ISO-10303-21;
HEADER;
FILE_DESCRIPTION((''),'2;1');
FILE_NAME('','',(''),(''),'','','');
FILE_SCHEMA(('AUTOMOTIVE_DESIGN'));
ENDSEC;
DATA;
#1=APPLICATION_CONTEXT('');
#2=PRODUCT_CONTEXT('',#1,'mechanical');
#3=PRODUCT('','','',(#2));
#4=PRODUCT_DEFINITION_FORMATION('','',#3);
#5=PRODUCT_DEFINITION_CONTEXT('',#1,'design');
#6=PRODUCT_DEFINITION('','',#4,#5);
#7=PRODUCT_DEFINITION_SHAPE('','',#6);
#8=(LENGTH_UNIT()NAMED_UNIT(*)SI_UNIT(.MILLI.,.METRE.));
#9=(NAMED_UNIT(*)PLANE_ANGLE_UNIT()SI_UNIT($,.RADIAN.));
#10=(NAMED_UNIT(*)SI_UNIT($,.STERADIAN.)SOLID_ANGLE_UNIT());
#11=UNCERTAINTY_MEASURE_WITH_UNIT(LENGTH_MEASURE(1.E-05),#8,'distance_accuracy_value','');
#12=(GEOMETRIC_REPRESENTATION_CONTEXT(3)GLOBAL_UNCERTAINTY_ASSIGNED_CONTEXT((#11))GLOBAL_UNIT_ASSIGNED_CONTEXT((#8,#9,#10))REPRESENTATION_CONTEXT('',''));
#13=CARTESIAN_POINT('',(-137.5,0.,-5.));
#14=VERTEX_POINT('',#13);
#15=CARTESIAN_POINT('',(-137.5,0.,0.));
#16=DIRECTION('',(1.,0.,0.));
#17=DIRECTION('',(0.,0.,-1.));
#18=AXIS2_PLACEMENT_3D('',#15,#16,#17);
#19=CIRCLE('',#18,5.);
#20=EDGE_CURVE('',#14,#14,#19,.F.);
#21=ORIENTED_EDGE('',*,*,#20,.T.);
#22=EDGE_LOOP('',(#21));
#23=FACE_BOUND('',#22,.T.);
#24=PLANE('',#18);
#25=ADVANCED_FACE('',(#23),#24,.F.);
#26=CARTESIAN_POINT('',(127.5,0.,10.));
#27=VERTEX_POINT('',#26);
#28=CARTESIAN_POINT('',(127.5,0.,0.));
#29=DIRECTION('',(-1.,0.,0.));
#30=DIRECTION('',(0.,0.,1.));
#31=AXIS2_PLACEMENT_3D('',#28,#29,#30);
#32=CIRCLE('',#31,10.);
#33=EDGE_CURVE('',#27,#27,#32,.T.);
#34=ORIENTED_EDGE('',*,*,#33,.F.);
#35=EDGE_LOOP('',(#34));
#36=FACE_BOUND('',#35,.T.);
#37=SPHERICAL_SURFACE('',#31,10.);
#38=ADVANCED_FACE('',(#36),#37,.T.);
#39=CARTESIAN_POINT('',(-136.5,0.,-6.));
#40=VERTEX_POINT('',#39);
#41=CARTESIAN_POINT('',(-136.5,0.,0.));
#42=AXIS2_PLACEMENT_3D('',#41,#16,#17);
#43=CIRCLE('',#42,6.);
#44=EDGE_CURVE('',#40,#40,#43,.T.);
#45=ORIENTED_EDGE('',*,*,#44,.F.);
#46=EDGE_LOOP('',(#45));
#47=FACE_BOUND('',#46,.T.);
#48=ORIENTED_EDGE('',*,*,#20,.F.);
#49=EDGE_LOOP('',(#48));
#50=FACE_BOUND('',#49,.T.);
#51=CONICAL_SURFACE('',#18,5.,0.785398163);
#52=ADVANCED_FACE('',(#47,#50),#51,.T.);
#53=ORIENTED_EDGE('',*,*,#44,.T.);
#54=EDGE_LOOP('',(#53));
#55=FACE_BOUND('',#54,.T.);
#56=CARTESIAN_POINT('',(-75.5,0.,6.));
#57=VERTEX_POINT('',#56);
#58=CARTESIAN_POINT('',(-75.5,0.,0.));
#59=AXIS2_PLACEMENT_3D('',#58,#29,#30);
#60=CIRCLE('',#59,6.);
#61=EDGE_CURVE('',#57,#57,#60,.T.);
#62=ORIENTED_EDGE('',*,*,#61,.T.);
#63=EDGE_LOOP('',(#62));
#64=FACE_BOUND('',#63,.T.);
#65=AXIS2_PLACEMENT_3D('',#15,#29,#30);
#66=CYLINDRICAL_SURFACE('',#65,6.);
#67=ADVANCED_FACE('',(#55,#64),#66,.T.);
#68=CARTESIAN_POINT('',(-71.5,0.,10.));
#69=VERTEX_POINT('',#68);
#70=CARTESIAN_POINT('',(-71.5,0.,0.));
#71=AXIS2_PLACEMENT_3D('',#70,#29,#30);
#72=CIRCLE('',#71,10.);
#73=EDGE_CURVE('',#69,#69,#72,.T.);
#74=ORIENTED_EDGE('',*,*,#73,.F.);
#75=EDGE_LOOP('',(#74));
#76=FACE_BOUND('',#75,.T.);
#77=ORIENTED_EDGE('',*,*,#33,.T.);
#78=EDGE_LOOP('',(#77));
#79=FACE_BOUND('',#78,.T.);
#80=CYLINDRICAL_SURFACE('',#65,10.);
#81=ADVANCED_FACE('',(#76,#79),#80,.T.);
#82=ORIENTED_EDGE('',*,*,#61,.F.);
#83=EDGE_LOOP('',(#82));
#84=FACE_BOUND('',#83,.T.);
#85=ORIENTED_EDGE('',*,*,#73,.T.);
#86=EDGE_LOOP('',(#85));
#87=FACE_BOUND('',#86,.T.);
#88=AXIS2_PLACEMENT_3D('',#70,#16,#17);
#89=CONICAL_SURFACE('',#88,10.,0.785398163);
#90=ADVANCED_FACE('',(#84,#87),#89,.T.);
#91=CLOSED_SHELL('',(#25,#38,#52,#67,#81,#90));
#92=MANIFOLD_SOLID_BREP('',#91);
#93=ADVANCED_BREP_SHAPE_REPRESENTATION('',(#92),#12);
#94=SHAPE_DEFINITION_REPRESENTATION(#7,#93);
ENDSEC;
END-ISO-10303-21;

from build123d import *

# Parameters (mm, degrees)
FILLET1_R     = 10
CHAMFER1_SIZE = 1


with BuildPart() as part:
    # Sketch1 → Revolve1 (revolve)
    with BuildSketch(Plane.XY, mode=Mode.PRIVATE) as revolve1_sk:
        Polygon((-137.5, 0), (137.5, 0), (137.5, 10), (-71.5, 10), (-75.5, 6), (-137.5, 6), align=None)
    revolve(revolve1_sk.sketch.rotate(Axis((-137.5, 0, 0), (1, 0, 0)), 90), axis=Axis((-137.5, 0, 0), (1, 0, 0)))

    # Fillet1
    fillet1_edges = [part.edges().sort_by_distance(p)[0] for p in [
        (137.5, 0, -10),
    ]]
    fillet(fillet1_edges, radius=FILLET1_R)

    # Chamfer1
    chamfer1_edges = [part.edges().sort_by_distance(p)[0] for p in [
        (-137.5, 0, -6),
    ]]
    chamfer(chamfer1_edges, length=CHAMFER1_SIZE)


solid = part.part
